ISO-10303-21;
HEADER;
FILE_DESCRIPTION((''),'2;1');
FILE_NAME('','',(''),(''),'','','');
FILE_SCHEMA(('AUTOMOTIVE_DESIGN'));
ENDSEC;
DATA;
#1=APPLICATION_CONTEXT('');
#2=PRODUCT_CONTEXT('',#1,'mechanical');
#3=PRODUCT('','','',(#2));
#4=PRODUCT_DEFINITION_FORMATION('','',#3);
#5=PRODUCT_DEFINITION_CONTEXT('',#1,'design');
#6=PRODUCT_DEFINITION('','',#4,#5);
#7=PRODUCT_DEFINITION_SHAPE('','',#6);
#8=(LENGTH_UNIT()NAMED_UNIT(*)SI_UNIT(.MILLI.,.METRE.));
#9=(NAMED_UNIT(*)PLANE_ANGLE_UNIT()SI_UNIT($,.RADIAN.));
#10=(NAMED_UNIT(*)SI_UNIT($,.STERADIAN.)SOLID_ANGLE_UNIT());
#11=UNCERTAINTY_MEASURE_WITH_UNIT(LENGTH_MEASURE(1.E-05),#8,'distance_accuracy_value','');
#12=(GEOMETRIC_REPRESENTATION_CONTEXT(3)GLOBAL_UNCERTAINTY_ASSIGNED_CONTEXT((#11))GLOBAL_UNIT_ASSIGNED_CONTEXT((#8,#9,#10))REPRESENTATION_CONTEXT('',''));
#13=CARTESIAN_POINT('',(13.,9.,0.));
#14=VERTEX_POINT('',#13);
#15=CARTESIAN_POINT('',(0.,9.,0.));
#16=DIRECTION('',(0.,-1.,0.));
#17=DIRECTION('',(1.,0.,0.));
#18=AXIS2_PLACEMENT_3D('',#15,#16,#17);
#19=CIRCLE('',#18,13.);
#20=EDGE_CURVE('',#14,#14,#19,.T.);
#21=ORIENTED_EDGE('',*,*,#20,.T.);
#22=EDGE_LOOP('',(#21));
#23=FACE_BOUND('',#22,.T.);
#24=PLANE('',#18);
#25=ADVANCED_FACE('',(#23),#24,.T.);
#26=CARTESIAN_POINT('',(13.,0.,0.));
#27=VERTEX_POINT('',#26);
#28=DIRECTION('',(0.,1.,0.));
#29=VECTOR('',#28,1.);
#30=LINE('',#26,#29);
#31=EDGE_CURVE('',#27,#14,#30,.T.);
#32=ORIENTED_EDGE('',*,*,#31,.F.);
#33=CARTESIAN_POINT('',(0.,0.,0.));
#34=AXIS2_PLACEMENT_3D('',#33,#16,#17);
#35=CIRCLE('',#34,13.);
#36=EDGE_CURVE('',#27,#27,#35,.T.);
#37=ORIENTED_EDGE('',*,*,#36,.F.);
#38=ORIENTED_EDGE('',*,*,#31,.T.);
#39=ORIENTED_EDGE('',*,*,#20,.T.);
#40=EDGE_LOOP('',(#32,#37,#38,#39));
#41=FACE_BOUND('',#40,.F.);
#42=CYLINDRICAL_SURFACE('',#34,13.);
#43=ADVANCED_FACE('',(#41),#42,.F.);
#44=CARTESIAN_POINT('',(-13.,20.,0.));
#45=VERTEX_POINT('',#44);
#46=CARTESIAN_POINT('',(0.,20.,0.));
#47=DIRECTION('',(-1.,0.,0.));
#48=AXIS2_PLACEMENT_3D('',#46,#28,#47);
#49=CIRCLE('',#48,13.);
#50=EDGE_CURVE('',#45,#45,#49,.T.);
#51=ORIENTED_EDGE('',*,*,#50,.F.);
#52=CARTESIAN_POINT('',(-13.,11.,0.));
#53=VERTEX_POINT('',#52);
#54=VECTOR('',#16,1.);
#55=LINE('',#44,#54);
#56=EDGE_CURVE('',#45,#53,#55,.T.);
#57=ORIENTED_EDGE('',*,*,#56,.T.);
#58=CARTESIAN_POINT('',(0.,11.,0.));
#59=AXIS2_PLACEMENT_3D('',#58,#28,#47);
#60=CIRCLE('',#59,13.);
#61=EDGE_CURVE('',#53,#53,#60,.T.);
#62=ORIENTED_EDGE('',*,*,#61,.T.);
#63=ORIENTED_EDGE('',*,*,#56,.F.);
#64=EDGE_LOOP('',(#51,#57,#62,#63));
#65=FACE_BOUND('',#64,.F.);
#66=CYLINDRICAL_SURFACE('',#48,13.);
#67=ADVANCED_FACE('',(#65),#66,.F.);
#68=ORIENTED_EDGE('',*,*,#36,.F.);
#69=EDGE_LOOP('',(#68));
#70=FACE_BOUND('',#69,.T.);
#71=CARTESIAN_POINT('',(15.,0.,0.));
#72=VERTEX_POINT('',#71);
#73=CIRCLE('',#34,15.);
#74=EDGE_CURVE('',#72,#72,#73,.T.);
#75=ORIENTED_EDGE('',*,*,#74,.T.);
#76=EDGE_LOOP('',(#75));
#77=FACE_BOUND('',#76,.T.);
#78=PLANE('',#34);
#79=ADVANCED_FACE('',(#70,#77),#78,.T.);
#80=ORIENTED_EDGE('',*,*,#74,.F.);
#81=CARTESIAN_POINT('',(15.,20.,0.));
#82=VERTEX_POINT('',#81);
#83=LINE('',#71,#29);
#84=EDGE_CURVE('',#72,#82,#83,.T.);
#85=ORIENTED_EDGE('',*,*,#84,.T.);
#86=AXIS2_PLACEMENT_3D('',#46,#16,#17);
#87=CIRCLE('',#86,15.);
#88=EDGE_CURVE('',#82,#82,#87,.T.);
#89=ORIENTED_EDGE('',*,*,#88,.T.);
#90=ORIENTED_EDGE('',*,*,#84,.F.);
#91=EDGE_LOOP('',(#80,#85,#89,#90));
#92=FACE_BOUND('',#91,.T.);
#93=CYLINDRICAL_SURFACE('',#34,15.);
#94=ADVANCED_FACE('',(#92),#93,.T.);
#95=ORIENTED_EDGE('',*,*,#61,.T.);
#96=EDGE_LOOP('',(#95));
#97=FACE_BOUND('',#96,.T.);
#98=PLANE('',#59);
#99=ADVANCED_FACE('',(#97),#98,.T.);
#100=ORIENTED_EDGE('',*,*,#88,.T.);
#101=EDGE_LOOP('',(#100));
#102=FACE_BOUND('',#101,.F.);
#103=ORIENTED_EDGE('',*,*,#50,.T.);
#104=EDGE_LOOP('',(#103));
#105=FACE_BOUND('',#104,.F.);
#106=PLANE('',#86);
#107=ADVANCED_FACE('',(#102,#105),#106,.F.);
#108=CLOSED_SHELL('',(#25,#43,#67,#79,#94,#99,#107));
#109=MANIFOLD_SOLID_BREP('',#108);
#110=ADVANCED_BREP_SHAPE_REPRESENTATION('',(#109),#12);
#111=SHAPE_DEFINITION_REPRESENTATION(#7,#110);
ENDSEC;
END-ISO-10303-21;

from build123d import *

# Parameters (mm, degrees)
F0_R     = 15
F1_DEPTH = 20
F2_R     = 13
F3_DEPTH = 9
F4_R     = 13
F5_DEPTH = 9


with BuildPart() as f1:
    # F0 (on Front) → F1 (new body)
    with BuildSketch(Plane.XZ):
        Circle(F0_R)
    extrude(amount=-F1_DEPTH)

    # F2 (on face) → F3 (cut)
    with BuildSketch(Plane.XZ):
        Circle(F2_R)
    extrude(amount=-F3_DEPTH, mode=Mode.SUBTRACT)

    # F4 (on face) → F5 (cut)
    with BuildSketch(Plane(origin=(0, 20, 0), x_dir=(-1, 0, 0), z_dir=(0, 1, 0))):
        Circle(F4_R)
    extrude(amount=-F5_DEPTH, mode=Mode.SUBTRACT)


solid = f1.part
